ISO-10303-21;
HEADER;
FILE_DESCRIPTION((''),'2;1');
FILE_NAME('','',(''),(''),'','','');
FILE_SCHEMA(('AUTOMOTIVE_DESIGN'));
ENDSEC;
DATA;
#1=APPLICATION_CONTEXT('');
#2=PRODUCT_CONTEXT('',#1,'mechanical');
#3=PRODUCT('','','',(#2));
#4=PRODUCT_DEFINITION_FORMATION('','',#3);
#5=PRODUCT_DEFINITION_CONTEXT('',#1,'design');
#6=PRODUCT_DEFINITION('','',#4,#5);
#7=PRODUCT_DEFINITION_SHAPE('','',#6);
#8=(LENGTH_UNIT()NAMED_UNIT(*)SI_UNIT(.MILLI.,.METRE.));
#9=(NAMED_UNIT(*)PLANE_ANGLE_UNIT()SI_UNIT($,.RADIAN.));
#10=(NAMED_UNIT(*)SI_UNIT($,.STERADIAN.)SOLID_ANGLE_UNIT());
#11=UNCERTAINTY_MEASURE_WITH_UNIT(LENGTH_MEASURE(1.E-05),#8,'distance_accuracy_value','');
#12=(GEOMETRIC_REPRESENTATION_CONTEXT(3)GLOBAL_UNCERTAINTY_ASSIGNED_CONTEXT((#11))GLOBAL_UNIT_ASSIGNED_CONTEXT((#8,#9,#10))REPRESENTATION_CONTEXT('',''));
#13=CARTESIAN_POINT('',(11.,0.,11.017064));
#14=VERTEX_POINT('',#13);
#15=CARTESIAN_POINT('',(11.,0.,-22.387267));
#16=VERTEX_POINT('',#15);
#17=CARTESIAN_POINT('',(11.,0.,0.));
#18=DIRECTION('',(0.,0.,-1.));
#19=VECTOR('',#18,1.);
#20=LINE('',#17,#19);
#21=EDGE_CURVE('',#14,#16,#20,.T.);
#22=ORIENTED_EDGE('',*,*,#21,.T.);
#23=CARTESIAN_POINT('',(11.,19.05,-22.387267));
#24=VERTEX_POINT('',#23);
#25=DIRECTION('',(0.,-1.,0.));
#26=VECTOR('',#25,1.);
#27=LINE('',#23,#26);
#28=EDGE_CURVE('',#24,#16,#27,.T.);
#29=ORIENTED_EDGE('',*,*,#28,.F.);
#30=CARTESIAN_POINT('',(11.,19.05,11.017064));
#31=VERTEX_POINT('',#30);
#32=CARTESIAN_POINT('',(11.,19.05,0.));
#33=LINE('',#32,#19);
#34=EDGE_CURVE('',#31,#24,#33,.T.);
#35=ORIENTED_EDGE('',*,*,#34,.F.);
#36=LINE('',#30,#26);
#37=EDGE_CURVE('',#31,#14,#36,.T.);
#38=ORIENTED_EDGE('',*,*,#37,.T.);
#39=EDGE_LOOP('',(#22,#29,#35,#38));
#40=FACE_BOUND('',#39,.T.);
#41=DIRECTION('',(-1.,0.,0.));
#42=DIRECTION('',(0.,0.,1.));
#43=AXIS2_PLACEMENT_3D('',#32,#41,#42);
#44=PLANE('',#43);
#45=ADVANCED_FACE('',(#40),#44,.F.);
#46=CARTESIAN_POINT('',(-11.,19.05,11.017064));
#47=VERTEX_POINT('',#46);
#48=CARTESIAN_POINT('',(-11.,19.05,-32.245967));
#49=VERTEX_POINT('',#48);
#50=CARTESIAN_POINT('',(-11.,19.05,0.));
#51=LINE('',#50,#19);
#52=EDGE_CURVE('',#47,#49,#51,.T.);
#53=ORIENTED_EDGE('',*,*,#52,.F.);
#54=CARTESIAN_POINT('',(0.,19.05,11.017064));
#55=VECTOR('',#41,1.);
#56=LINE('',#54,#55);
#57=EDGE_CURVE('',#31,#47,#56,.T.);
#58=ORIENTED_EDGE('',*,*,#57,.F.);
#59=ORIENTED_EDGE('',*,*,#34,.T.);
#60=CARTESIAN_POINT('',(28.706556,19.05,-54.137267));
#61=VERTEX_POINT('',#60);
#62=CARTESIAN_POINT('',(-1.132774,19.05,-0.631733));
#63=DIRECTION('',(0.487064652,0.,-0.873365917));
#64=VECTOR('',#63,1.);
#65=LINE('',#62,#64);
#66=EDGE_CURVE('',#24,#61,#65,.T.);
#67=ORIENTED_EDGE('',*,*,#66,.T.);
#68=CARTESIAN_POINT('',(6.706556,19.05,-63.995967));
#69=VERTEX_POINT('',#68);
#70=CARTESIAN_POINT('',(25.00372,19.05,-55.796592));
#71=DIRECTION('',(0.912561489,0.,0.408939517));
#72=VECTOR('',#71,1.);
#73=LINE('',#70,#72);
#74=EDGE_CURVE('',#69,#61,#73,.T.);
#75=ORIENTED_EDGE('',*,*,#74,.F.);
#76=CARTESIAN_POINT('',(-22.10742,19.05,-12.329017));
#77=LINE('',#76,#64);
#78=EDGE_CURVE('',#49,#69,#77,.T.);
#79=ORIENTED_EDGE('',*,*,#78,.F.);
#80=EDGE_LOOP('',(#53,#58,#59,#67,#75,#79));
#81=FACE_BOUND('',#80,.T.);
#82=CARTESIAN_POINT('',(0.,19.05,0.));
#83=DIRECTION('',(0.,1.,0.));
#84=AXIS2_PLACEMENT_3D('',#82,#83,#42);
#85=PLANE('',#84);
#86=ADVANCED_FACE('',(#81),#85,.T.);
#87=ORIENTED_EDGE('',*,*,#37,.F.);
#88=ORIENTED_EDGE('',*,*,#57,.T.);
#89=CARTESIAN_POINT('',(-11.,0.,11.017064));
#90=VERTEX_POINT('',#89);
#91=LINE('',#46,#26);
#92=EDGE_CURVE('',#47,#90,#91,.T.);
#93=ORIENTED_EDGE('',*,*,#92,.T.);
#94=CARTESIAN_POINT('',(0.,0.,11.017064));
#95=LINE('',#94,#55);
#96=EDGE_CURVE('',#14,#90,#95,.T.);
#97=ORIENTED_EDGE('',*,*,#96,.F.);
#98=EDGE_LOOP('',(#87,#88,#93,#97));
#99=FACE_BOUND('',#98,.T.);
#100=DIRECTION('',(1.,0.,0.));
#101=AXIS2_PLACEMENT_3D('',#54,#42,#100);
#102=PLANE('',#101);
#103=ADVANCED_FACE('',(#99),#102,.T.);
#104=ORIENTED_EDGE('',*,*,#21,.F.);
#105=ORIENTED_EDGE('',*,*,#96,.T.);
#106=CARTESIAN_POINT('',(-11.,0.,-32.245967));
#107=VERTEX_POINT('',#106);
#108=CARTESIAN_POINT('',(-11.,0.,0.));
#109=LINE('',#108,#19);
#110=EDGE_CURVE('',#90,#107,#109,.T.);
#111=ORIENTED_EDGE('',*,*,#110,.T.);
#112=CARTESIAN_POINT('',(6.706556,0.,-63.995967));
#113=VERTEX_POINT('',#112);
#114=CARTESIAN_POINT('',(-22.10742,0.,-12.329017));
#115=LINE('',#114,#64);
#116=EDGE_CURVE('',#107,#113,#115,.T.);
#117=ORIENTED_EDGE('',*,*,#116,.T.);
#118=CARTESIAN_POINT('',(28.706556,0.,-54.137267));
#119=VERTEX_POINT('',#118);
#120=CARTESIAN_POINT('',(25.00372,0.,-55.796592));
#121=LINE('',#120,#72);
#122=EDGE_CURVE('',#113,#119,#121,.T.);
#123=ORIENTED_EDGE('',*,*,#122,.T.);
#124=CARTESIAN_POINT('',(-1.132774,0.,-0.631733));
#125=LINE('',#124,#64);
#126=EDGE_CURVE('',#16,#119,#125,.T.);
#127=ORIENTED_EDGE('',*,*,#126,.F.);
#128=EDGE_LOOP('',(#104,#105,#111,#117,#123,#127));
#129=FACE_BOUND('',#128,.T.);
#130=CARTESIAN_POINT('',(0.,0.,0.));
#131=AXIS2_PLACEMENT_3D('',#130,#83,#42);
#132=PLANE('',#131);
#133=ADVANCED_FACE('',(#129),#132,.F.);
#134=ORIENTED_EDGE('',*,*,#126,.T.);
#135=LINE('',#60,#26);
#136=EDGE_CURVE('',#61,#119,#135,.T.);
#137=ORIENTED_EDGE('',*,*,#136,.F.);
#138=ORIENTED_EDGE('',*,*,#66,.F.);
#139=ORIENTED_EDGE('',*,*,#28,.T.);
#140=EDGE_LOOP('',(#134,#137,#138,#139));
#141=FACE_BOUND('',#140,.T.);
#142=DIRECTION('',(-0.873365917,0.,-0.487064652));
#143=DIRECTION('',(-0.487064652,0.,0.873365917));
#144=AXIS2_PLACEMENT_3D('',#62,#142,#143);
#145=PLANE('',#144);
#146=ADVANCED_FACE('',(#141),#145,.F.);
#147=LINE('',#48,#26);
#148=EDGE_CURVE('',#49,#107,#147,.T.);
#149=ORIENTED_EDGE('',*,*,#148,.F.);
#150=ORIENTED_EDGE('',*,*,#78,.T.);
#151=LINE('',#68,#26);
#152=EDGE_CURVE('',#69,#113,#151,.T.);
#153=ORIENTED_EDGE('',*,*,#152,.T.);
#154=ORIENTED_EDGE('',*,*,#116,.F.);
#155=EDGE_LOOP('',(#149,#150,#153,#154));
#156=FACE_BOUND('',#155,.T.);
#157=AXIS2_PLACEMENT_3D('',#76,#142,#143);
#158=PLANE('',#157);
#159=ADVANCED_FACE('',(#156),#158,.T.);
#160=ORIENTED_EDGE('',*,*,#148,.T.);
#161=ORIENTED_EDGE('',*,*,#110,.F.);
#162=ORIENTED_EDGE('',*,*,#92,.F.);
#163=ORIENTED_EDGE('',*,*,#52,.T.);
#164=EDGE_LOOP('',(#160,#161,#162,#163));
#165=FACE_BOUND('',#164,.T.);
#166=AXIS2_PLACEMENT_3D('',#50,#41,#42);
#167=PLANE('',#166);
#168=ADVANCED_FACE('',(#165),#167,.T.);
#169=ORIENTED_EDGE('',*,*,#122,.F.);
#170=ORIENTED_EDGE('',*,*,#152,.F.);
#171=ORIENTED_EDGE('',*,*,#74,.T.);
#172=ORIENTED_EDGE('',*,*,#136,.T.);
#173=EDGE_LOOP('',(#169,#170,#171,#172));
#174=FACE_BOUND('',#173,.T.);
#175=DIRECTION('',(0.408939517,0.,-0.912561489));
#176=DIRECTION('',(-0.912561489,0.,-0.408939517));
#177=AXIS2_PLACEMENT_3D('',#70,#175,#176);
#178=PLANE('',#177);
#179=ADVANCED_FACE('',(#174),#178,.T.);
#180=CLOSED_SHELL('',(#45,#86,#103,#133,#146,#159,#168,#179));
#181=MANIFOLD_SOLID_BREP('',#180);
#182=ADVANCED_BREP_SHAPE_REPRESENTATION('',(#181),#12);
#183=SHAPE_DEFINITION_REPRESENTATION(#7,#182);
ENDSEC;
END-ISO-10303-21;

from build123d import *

# Parameters (mm, degrees)
BOSS_EXTRUDE1_DEPTH = 19.05


with BuildPart() as part:
    # Sketch1 → Boss-Extrude1 (new body)
    with BuildSketch(Plane(origin=(0, 0, 0), x_dir=(1, 0, 0), z_dir=(0, 1, 0))):
        Polygon((-11, 32.245966686), (0, 32.245966686), (11, 32.245966686), (11, 22.387267321), (28.706556195, 54.137267321), (6.706556195, 63.995966686), align=None)
        Polygon((11, 32.245966686), (0, 32.245966686), (0, 27.316617003), (11, 22.387267321), align=None)
        with BuildLine():
            Line((11, 22.387267321), (0, 27.316617003))
            Line((0, 27.316617003), (0, 24.413342341))
            ThreePointArc((0, 24.413342341), (3.049993619, 23.149993619), (4.313342341, 20.1))
            ThreePointArc((4.313342341, 20.1), (3.049993619, 17.050006381), (0, 15.786657659))
            Line((0, 15.786657659), (0, 4.27242655))
            ThreePointArc((0, 4.27242655), (3.021061785, 3.021061785), (4.27242655, 0))
            ThreePointArc((4.27242655, 0), (3.021061785, -3.021061785), (0, -4.27242655))
            Line((0, -4.27242655), (0, -11.017064321))
            Line((0, -11.017064321), (11, -11.017064321))
            Line((11, -11.017064321), (11, 22.387267321))
        make_face()
        Polygon((0, 27.316617003), (0, 32.245966686), (-11, 32.245966686), align=None)
        with BuildLine():
            Line((0, 24.413342341), (0, 27.316617003))
            Line((0, 27.316617003), (-11, 32.245966686))
            Line((-11, 32.245966686), (-11, -11.017064321))
            Line((-11, -11.017064321), (0, -11.017064321))
            Line((0, -11.017064321), (0, -4.27242655))
            ThreePointArc((0, -4.27242655), (-4.27242655, 0), (0, 4.27242655))
            Line((0, 4.27242655), (0, 15.786657659))
            ThreePointArc((0, 15.786657659), (-4.313342341, 20.1), (0, 24.413342341))
        make_face()
        with BuildLine():
            ThreePointArc((4.313342341, 20.1), (3.049993619, 23.149993619), (0, 24.413342341))
            Line((0, 24.413342341), (0, 15.786657659))
            ThreePointArc((0, 15.786657659), (3.049993619, 17.050006381), (4.313342341, 20.1))
        make_face()
        with BuildLine():
            Line((0, 15.786657659), (0, 24.413342341))
            ThreePointArc((0, 24.413342341), (-4.313342341, 20.1), (0, 15.786657659))
        make_face()
        with BuildLine():
            ThreePointArc((4.27242655, 0), (3.021061785, 3.021061785), (0, 4.27242655))
            Line((0, 4.27242655), (0, -4.27242655))
            ThreePointArc((0, -4.27242655), (3.021061785, -3.021061785), (4.27242655, 0))
        make_face()
        with BuildLine():
            Line((0, -4.27242655), (0, 4.27242655))
            ThreePointArc((0, 4.27242655), (-4.27242655, 0), (0, -4.27242655))
        make_face()
    extrude(amount=BOSS_EXTRUDE1_DEPTH)


solid = part.part
